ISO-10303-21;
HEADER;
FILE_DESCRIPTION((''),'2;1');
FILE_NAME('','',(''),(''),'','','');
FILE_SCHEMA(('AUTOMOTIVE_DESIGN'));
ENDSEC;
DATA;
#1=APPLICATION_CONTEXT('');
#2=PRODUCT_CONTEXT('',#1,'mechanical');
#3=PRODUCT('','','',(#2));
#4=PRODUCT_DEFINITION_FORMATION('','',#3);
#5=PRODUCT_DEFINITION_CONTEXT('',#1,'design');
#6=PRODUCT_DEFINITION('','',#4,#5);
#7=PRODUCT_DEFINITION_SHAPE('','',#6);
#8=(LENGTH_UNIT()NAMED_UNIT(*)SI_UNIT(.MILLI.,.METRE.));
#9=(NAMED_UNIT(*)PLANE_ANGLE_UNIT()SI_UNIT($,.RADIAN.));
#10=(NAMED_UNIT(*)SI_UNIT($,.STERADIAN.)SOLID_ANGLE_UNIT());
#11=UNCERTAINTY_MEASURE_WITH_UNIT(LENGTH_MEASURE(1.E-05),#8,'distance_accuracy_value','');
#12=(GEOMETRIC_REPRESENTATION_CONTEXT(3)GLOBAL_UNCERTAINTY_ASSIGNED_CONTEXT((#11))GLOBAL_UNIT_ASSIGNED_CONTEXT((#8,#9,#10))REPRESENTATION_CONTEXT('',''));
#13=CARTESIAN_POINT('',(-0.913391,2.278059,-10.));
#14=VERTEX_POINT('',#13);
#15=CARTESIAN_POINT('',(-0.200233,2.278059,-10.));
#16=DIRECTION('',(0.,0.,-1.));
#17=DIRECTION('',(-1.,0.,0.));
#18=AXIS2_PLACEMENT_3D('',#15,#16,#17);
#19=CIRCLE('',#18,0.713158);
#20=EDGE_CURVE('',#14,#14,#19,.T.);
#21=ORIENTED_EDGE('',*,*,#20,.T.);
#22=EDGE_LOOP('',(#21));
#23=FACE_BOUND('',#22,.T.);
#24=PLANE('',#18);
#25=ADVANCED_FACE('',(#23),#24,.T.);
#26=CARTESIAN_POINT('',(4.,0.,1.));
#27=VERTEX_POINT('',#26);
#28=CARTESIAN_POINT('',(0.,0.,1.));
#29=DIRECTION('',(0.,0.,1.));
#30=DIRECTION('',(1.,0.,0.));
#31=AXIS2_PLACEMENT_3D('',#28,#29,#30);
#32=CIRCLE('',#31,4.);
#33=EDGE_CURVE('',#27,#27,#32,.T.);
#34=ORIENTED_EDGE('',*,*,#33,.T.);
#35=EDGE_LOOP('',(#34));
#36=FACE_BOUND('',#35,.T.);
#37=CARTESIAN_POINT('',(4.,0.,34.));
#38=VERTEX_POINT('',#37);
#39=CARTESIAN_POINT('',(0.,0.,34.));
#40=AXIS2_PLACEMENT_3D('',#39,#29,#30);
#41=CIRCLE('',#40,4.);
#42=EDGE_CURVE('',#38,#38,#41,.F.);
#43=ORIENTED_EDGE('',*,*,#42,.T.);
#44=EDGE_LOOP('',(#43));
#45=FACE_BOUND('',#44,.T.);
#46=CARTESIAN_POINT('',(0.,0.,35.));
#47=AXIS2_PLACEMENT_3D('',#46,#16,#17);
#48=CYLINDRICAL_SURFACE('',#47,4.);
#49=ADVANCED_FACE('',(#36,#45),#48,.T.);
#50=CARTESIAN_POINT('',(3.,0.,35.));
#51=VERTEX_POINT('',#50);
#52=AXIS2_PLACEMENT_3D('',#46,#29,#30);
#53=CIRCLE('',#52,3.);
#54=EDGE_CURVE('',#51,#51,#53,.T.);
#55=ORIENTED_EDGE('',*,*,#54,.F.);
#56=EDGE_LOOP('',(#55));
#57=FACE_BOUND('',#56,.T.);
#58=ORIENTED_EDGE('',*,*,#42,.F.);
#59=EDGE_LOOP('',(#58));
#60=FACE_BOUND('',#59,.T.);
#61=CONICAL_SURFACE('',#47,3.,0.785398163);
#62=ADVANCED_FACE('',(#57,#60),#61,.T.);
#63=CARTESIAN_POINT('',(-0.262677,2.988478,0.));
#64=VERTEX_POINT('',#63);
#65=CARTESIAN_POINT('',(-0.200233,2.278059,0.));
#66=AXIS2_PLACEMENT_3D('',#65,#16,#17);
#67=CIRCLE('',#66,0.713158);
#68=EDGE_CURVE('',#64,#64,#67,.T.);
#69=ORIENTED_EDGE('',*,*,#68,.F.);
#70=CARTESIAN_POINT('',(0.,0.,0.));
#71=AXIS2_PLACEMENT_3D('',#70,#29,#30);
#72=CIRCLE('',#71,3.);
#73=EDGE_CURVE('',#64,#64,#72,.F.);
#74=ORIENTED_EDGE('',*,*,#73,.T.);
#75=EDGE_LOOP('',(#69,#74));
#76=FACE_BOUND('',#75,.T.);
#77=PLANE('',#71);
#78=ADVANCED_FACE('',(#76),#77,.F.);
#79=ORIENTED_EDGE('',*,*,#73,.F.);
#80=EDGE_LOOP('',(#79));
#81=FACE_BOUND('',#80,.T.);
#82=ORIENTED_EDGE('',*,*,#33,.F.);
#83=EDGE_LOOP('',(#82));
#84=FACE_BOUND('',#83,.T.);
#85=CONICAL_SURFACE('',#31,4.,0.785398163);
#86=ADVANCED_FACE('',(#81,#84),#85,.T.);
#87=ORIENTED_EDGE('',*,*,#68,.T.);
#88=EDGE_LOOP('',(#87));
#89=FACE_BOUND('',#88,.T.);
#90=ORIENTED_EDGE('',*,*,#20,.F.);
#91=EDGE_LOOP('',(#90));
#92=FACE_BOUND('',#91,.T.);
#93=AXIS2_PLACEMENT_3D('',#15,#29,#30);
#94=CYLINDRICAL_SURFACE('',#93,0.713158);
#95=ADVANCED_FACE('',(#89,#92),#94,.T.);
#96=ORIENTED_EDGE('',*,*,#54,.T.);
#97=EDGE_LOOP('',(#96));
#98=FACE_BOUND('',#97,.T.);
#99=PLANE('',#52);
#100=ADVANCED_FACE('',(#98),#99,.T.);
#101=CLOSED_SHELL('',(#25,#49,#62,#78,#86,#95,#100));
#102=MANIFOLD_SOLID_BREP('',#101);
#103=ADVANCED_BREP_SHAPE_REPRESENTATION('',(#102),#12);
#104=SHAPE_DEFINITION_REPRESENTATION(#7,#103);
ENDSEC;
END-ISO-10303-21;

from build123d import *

# Parameters (mm, degrees)
SKETCH_1_R      = 4
EXTRUDE_1_DEPTH = 35
CHAMFER_1_SIZE  = 1
SKETCH_2_R      = 0.713157814
EXTRUDE_2_DEPTH = 10


with BuildPart() as part:
    # Эскиз1 → Бобышка-Вытянуть1 (new body)
    with BuildSketch(Plane.XY):
        Circle(SKETCH_1_R)
    extrude(amount=EXTRUDE_1_DEPTH)

    # Фаска1
    chamfer_1_edges = [part.edges().sort_by_distance(p)[0] for p in [
        (-4, 0, 0),
        (-4, 0, 35),
    ]]
    chamfer(chamfer_1_edges, length=CHAMFER_1_SIZE)

    # Эскиз2 → Бобышка-Вытянуть2 (add)
    with BuildSketch(Plane(origin=(0, 0, 0), x_dir=(-1, 0, 0), z_dir=(0, 0, -1))):
        with Locations(Location((0.200233265, 2.278059223, 0), (0, 0, 84.976815207))):
            Circle(SKETCH_2_R)
    extrude(amount=EXTRUDE_2_DEPTH)


solid = part.part
